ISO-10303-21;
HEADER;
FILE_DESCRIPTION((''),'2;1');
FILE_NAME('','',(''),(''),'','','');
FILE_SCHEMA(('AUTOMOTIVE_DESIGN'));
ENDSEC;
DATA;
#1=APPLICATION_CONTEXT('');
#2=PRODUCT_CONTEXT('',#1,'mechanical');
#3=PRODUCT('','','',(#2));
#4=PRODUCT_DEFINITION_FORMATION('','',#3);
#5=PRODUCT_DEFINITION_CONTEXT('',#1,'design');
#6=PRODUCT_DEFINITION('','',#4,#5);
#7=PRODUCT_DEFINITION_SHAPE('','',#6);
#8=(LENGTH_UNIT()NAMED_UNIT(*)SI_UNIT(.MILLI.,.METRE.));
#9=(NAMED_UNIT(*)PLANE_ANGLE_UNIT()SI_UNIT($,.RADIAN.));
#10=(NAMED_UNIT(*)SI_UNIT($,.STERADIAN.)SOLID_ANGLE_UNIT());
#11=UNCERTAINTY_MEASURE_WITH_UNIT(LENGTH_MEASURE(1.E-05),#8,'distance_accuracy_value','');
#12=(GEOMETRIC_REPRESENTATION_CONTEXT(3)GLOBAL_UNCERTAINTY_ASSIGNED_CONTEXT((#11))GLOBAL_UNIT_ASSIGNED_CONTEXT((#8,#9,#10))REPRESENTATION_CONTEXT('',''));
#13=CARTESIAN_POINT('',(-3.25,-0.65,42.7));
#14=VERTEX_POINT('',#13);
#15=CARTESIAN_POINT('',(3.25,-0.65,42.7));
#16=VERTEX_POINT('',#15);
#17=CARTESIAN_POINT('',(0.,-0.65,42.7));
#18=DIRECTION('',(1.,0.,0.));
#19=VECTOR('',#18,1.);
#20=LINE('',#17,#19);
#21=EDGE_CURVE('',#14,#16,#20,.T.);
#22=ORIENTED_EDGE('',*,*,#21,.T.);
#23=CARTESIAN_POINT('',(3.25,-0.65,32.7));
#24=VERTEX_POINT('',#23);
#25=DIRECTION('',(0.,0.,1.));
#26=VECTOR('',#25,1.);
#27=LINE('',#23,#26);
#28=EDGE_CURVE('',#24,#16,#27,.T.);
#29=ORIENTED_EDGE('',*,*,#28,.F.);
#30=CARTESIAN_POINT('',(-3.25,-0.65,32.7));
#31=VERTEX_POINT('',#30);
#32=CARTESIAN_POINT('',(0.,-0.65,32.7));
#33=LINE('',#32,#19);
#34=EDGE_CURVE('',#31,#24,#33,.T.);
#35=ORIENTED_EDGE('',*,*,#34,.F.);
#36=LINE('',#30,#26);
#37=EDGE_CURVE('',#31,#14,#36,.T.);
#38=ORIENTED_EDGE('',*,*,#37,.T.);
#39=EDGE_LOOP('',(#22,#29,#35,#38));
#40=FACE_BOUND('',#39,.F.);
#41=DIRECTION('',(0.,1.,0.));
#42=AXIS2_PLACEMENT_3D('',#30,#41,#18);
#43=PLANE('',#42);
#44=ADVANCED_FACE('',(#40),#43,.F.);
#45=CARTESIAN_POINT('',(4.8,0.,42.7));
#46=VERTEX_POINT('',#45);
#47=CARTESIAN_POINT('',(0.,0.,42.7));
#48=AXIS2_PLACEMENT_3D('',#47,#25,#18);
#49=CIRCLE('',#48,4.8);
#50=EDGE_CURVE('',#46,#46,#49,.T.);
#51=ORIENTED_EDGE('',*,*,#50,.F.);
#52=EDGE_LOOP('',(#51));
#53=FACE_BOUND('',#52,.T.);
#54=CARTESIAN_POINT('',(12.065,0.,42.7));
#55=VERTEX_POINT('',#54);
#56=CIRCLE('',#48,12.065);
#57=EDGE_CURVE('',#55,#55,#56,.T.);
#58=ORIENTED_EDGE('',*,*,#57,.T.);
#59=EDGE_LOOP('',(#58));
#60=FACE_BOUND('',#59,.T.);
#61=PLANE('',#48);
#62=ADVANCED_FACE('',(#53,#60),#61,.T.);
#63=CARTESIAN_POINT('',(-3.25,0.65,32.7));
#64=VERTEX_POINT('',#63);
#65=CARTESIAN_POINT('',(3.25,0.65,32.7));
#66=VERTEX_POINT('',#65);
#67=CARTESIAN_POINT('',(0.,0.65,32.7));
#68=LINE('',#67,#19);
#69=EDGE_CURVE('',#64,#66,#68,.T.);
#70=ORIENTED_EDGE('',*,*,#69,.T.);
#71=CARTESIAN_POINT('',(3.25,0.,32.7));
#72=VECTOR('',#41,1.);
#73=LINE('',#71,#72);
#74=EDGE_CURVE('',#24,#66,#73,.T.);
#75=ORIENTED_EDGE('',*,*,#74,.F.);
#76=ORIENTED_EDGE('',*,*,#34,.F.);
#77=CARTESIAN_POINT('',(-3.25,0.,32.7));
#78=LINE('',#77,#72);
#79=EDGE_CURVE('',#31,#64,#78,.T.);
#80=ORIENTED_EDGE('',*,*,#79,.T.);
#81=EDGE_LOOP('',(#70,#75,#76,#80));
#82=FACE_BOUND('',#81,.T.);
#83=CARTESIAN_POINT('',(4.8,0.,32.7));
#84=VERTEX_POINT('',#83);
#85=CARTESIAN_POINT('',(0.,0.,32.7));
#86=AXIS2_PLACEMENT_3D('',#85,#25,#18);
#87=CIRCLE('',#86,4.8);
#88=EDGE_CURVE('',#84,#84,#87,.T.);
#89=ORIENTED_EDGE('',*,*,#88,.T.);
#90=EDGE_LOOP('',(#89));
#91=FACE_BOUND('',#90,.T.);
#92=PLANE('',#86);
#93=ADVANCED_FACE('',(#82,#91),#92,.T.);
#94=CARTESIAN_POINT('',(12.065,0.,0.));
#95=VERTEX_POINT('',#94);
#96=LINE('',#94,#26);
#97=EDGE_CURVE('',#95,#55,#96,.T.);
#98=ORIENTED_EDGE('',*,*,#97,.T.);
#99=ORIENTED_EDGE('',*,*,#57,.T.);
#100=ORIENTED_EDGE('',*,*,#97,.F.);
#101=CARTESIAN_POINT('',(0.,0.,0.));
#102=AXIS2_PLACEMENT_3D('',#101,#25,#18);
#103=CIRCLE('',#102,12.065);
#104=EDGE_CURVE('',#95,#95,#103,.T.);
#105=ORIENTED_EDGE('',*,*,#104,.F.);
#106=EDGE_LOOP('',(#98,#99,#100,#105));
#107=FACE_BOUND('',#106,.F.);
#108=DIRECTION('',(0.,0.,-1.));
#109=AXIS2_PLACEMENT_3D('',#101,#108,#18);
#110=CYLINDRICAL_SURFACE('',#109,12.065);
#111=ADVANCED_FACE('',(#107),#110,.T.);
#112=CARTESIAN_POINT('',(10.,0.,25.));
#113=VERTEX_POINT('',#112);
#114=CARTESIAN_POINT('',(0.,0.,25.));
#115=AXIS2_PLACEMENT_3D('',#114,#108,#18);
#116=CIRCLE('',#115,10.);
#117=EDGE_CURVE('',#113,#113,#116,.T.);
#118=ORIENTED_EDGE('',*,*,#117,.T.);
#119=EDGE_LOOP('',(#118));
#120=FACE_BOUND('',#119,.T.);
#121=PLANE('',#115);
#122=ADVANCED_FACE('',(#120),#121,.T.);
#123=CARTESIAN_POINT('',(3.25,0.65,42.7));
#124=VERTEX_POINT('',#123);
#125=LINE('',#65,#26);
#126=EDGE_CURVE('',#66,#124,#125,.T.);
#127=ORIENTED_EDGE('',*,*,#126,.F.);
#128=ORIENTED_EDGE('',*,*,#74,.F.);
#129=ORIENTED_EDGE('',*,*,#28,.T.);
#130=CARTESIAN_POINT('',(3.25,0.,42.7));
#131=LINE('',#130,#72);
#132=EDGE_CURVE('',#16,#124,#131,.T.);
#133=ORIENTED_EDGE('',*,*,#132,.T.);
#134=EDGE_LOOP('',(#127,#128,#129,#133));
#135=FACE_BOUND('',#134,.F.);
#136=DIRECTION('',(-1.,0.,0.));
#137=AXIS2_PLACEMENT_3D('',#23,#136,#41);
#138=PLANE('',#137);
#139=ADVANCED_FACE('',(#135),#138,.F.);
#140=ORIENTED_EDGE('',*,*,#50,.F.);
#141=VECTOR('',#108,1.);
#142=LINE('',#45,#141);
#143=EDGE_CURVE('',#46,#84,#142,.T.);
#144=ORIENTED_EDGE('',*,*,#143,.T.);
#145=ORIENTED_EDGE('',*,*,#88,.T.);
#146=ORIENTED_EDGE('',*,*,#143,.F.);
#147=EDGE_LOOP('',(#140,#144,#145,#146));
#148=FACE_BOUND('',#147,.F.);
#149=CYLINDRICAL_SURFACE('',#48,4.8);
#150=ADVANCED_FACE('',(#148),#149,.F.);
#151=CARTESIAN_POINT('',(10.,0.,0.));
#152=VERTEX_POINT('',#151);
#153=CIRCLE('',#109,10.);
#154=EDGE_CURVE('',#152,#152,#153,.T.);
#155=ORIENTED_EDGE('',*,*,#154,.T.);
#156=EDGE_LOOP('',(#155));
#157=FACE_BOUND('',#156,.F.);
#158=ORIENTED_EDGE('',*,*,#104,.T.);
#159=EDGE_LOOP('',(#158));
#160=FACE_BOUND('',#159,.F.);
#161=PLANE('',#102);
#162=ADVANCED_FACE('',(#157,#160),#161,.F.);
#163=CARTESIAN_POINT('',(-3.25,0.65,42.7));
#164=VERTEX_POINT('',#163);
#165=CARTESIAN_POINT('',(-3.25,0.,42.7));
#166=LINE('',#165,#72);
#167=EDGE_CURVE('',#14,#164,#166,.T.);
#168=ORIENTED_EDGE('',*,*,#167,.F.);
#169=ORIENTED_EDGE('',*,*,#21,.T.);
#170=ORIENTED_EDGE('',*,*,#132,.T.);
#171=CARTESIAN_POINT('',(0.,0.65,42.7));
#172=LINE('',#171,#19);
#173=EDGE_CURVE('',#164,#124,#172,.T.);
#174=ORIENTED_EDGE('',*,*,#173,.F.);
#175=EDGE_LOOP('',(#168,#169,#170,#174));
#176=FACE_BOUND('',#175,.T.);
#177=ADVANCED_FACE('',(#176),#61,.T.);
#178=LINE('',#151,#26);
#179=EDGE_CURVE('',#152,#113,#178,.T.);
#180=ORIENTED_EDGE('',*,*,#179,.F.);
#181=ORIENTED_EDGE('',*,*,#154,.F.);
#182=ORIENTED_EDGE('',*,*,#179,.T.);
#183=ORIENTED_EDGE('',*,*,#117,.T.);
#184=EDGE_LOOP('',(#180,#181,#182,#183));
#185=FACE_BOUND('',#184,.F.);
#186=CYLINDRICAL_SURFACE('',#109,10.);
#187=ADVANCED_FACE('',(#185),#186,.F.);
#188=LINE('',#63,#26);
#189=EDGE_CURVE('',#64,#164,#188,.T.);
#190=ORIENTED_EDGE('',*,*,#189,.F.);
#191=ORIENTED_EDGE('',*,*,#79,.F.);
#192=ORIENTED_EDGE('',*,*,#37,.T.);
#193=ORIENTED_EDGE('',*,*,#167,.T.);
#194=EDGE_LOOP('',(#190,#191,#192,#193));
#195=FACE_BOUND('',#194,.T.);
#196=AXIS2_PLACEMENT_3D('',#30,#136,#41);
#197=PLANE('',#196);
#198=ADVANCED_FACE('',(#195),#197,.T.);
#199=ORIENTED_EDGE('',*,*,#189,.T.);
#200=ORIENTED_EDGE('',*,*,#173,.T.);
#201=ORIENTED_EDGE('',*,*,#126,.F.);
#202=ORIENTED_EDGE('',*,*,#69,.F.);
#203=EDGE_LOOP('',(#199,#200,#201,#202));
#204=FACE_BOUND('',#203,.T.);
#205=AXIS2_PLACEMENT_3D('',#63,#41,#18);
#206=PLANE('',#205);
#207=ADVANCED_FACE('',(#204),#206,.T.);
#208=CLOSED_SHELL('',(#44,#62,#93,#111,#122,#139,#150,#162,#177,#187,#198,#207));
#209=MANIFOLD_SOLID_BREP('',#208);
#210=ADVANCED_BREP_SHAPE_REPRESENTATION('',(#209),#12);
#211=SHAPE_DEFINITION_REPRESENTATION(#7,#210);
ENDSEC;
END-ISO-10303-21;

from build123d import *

# Parameters (mm, degrees)
F0_R     = 12.065
F1_DEPTH = 42.7
F2_R     = 4.8
F3_DEPTH = 10
F4_W     = 6.5
F4_H     = 1.3
F5_DEPTH = 10
F6_R     = 10
F7_DEPTH = 25


with BuildPart() as f1:
    # F0 (on Top) → F1 (new body)
    with BuildSketch(Plane.XY):
        Circle(F0_R)
    extrude(amount=F1_DEPTH)

    # F2 (on face) → F3 (cut)
    with BuildSketch(Plane.XY.offset(42.7)):
        Circle(F2_R)
    extrude(amount=-F3_DEPTH, mode=Mode.SUBTRACT)

    # F4 (on face) → F5 (join)
    with BuildSketch(Plane.XY.offset(32.7)):
        Rectangle(F4_W, F4_H)
    extrude(amount=F5_DEPTH)

    # F6 (on face) → F7 (cut)
    with BuildSketch(Plane(origin=(0, 0, 0), x_dir=(1, 0, 0), z_dir=(0, 0, -1))):
        Circle(F6_R)
    extrude(amount=-F7_DEPTH, mode=Mode.SUBTRACT)


solid = f1.part
